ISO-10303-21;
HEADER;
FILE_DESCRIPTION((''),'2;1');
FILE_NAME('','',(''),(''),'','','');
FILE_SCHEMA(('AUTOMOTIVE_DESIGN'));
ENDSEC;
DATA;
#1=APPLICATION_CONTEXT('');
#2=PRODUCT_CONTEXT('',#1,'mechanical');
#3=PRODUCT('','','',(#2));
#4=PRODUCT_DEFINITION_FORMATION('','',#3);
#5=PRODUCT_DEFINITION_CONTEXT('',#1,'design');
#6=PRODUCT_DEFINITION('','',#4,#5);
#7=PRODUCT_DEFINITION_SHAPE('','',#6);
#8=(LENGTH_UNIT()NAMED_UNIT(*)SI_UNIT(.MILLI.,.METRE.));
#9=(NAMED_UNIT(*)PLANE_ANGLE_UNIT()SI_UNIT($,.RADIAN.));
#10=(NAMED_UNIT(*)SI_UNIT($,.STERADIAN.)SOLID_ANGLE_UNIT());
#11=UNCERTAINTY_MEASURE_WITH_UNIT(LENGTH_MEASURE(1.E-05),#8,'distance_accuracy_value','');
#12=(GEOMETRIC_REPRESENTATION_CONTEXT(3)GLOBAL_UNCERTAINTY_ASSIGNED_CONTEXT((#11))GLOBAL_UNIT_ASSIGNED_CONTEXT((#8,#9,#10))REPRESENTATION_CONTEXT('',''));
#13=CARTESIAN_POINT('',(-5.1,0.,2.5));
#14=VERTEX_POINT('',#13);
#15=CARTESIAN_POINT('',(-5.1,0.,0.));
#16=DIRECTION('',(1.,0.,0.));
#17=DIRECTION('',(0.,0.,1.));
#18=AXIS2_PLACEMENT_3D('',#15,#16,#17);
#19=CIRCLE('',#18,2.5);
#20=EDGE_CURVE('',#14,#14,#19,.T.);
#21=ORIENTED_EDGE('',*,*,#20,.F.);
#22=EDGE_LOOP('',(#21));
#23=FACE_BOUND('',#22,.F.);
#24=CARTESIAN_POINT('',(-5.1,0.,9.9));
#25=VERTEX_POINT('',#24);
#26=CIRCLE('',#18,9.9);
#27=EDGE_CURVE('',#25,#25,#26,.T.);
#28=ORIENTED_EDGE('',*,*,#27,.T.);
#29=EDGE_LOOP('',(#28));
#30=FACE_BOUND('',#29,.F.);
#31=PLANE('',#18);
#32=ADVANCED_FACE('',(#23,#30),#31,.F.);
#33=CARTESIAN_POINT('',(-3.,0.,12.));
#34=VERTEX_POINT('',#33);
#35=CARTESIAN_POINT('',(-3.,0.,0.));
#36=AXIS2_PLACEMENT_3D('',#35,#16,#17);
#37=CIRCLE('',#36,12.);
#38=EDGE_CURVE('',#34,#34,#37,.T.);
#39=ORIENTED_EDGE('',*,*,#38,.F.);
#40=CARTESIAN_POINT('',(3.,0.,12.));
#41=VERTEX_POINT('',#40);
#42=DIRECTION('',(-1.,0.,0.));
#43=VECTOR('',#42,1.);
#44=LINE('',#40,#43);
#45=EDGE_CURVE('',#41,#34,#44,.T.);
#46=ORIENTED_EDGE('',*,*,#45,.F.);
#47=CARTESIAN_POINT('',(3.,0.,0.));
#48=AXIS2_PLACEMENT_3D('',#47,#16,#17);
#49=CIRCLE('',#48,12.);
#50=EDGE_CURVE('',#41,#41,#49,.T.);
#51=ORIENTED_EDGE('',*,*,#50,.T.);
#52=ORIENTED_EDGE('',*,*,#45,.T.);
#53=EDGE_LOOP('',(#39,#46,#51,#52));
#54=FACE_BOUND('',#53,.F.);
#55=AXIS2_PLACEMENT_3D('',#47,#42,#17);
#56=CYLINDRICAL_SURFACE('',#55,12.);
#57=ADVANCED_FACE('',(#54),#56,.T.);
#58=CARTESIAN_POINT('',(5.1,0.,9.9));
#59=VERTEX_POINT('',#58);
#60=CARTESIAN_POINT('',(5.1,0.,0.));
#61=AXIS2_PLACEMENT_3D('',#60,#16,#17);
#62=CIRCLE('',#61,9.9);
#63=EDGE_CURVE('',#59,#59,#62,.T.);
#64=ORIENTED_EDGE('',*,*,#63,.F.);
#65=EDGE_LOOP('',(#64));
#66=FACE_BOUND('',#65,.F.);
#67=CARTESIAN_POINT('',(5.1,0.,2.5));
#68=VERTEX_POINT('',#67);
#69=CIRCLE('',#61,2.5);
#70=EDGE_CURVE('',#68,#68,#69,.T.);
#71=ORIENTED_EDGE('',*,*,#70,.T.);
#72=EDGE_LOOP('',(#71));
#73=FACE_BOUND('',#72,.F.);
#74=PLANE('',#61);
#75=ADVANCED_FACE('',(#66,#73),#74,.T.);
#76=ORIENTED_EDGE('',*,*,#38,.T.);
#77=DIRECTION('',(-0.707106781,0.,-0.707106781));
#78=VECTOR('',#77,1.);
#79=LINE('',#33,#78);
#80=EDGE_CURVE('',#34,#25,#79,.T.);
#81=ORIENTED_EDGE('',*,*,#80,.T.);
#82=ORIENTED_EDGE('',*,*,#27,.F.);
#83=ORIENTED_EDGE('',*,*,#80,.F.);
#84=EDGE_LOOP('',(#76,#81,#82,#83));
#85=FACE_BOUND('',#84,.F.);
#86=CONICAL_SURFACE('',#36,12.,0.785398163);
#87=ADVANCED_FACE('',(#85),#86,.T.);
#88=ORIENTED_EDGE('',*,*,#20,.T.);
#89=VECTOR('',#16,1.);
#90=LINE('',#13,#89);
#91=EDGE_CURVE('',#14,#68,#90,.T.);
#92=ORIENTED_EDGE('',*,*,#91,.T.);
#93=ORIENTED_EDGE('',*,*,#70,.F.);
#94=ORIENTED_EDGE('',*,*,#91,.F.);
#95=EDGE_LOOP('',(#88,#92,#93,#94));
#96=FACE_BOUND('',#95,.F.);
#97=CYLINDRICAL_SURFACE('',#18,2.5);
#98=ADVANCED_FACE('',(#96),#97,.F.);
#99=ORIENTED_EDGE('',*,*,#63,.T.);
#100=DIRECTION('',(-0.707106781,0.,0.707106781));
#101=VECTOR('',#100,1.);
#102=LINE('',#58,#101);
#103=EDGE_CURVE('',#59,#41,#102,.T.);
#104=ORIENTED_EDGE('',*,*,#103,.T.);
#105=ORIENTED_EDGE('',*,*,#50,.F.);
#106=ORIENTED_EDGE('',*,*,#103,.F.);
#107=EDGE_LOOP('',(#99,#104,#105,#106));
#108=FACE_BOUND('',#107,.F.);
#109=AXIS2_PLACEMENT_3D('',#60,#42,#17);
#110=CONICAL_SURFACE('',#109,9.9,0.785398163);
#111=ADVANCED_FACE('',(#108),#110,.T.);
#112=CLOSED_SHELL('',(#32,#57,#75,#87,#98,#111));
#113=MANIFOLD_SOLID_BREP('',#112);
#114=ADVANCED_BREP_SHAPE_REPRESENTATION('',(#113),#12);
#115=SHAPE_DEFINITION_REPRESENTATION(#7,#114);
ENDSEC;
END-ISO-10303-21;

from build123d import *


with BuildPart() as part:
    # Sketch → Revolution (revolve)
    with BuildSketch(Plane.XZ):
        Polygon((-3, 12), (-5.1, 9.9), (-5.1, 2.5), (5.1, 2.5), (5.1, 9.9), (3, 12), align=None)
    revolve(axis=Axis((0, 0, 0), (1, 0, 0)))


solid = part.part
